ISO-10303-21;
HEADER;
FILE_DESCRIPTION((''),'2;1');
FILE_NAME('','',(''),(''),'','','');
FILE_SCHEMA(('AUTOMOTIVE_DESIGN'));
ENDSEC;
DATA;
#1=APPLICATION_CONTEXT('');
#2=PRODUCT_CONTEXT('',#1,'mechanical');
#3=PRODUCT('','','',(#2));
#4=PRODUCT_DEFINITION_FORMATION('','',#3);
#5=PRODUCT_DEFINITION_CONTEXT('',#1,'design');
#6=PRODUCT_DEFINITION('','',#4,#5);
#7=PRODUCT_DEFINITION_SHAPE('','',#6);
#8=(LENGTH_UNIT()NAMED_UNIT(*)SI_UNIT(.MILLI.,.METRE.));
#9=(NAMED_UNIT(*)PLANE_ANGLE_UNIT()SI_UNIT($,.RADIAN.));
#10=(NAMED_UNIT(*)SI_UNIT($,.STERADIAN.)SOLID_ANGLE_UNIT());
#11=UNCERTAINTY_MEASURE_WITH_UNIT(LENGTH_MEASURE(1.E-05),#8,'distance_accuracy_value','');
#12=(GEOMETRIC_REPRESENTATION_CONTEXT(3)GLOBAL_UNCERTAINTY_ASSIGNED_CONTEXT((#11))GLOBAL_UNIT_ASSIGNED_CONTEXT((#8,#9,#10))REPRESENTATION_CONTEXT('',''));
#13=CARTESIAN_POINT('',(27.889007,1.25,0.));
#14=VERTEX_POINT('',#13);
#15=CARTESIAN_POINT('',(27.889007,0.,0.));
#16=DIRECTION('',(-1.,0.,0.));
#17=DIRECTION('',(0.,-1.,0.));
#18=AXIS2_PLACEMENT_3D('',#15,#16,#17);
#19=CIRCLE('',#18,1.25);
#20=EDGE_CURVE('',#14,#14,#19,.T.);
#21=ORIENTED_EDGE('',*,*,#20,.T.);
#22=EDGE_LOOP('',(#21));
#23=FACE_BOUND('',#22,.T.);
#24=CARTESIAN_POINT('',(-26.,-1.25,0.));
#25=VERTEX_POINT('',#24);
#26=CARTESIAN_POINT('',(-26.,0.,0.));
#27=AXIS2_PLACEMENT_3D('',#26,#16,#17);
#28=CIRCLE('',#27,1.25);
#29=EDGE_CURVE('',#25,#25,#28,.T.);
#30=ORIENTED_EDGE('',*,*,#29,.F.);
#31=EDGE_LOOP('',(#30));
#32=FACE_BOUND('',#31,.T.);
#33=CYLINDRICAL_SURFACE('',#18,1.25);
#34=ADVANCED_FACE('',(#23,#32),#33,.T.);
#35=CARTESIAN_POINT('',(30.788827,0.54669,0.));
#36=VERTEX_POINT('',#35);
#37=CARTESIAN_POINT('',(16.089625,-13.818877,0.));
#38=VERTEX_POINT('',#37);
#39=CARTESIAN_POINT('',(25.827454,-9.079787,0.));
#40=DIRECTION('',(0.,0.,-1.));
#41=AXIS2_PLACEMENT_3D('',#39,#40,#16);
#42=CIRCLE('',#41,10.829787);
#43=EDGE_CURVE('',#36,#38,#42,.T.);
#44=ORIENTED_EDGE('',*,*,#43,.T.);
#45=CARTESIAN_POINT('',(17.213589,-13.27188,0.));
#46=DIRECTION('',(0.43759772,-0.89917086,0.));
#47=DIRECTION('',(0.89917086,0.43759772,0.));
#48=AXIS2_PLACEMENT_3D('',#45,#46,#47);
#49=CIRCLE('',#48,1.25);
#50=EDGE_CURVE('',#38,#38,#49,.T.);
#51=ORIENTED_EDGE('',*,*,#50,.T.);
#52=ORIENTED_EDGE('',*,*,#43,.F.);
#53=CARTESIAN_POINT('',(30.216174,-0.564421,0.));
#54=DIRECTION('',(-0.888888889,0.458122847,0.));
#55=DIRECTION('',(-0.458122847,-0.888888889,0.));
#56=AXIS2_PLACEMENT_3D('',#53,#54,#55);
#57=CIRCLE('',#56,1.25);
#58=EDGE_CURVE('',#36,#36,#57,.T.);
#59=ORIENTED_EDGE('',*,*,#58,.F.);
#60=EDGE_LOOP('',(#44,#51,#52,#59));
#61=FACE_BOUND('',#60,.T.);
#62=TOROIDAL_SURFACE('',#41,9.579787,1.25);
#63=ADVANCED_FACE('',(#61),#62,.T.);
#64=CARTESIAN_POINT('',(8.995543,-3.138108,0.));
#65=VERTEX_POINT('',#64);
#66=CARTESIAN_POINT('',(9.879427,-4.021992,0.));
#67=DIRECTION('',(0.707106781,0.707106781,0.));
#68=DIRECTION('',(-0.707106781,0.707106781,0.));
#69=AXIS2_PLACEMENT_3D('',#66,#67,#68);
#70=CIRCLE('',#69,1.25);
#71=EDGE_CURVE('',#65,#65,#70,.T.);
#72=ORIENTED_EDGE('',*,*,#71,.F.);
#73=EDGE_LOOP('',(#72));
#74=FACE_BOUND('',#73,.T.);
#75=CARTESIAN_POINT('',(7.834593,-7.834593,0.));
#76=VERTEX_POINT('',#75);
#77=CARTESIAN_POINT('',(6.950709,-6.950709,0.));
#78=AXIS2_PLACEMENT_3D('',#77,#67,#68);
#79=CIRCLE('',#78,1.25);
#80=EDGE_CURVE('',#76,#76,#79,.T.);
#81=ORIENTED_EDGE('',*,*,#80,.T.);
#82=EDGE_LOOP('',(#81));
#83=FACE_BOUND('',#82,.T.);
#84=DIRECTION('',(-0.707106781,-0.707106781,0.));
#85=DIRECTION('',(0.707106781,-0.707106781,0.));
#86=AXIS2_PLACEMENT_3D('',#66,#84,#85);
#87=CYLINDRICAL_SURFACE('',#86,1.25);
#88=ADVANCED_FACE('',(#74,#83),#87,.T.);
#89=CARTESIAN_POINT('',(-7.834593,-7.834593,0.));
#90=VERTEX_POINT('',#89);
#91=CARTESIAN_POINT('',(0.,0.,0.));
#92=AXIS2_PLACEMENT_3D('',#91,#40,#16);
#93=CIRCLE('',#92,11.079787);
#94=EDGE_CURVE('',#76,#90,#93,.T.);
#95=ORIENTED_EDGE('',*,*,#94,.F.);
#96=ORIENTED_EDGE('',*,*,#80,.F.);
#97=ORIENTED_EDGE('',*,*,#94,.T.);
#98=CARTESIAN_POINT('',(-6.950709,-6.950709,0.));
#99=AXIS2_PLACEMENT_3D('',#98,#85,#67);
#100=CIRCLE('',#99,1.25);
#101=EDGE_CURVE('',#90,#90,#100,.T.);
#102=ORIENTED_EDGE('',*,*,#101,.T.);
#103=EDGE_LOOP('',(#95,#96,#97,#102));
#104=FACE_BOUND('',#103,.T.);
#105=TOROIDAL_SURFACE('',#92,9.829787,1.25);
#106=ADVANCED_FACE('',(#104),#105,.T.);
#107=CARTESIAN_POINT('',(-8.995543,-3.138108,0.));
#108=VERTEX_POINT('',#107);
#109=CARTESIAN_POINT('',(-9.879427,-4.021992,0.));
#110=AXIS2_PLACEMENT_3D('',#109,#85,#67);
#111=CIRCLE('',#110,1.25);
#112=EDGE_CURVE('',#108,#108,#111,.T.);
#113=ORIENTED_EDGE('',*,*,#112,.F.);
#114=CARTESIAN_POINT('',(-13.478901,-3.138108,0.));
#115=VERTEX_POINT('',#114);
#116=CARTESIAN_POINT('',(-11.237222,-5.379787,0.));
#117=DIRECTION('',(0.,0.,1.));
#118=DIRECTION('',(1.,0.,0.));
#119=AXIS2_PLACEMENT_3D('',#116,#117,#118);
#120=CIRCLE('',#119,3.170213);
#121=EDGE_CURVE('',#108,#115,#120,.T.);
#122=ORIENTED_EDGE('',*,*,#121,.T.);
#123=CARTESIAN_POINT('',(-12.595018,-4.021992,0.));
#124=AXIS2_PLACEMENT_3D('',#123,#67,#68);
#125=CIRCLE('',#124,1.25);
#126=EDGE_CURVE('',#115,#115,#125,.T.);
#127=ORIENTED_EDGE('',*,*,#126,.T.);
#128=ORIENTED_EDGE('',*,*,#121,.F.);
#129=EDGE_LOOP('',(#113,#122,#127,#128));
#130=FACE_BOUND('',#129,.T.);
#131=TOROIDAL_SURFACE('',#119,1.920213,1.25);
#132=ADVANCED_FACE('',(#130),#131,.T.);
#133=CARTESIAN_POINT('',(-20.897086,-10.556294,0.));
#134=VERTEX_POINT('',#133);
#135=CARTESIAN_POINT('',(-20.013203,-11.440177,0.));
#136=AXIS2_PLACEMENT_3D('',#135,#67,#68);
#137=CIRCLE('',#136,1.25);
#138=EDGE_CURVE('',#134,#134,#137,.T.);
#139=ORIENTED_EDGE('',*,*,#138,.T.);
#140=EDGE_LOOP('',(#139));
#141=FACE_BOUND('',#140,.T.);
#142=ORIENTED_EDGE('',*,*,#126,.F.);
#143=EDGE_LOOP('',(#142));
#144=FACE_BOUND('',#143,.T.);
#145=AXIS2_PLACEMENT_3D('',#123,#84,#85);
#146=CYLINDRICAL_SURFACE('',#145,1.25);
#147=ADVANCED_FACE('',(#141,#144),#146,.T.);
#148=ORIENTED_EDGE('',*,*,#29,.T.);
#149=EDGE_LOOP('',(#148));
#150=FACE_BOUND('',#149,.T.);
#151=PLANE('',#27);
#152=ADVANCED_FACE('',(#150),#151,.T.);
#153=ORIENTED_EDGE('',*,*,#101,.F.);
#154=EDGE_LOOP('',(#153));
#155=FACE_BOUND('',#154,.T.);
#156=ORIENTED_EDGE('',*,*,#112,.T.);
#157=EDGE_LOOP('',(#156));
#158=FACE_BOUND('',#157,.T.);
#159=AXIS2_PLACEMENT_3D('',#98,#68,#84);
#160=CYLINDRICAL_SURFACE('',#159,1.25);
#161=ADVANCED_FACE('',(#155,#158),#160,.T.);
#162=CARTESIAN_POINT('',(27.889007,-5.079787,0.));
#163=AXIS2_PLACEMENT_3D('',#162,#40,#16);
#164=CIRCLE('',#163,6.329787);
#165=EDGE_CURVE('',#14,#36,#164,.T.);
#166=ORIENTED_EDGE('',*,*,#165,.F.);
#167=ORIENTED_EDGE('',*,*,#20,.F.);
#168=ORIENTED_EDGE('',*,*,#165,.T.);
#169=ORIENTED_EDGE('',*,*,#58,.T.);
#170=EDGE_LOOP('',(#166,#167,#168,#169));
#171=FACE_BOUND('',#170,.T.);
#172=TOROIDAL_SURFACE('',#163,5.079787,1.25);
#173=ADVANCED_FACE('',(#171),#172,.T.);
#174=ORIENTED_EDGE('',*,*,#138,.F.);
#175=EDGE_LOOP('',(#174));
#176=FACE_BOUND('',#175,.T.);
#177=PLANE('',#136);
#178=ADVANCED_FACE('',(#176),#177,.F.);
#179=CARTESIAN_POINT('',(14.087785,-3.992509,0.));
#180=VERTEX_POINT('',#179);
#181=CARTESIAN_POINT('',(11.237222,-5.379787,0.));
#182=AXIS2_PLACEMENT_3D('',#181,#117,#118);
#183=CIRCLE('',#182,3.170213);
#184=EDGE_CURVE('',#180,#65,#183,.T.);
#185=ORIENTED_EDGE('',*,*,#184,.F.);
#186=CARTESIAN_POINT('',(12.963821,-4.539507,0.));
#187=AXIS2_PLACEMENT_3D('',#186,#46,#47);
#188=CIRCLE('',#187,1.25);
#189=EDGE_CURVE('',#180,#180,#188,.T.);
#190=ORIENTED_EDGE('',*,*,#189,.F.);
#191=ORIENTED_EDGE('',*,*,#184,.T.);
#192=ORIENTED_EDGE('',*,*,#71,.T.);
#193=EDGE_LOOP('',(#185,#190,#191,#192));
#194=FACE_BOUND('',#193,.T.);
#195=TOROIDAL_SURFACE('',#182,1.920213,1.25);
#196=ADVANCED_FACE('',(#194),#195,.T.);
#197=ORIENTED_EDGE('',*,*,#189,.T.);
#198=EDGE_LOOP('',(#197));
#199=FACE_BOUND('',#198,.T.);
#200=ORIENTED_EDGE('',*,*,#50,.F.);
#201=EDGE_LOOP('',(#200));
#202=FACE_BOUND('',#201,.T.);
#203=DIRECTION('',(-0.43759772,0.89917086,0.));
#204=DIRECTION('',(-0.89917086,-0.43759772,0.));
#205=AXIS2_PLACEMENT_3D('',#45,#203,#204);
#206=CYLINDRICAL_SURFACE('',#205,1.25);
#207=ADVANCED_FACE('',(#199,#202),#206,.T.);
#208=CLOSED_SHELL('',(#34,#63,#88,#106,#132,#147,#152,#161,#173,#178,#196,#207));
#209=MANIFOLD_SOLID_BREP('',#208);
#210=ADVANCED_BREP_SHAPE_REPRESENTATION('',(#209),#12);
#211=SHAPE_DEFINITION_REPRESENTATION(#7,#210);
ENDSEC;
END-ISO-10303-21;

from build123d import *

# Parameters (mm, degrees)
ESQUISSE2_R = 1.25


with BuildPart() as part:
    # Balayage1: sweep along a path in Esquisse1
    with BuildLine(Plane.XY) as balayage1_path:
        Line((-26, -0.079787272), (27.889007023, -0.079787272))
        ThreePointArc((27.889007023, -0.079787272), (29.067518325, -0.220660693), (30.17962126, -0.635342827))
        ThreePointArc((30.17962126, -0.635342827), (32.467420873, -15.87396439), (17.285331042, -13.236965614))
        Line((17.285331042, -13.236965614), (13.035563806, -4.504591831))
        ThreePointArc((13.035563806, -4.504591831), (11.568165804, -3.407358248), (9.823008524, -3.96557371))
        Line((9.823008524, -3.96557371), (6.894291117, -6.894291117))
        ThreePointArc((6.894291117, -6.894291117), (0, -9.75), (-6.894291117, -6.894291117))
        Line((-6.894291117, -6.894291117), (-9.823008524, -3.96557371))
        ThreePointArc((-9.823008524, -3.96557371), (-11.237222086, -3.379787272), (-12.651435648, -3.96557371))
        Line((-12.651435648, -3.96557371), (-20.069621097, -11.383759159))
    # Esquisse2 → Balayage1 (sweep)
    with BuildSketch(Plane(origin=(-26, -0.079787272, 0), x_dir=(0, 0, 1), z_dir=(-1, 0, 0))):
        with Locations((0, 0.079787272)):
            Circle(ESQUISSE2_R)
    sweep(path=balayage1_path.line)


solid = part.part
